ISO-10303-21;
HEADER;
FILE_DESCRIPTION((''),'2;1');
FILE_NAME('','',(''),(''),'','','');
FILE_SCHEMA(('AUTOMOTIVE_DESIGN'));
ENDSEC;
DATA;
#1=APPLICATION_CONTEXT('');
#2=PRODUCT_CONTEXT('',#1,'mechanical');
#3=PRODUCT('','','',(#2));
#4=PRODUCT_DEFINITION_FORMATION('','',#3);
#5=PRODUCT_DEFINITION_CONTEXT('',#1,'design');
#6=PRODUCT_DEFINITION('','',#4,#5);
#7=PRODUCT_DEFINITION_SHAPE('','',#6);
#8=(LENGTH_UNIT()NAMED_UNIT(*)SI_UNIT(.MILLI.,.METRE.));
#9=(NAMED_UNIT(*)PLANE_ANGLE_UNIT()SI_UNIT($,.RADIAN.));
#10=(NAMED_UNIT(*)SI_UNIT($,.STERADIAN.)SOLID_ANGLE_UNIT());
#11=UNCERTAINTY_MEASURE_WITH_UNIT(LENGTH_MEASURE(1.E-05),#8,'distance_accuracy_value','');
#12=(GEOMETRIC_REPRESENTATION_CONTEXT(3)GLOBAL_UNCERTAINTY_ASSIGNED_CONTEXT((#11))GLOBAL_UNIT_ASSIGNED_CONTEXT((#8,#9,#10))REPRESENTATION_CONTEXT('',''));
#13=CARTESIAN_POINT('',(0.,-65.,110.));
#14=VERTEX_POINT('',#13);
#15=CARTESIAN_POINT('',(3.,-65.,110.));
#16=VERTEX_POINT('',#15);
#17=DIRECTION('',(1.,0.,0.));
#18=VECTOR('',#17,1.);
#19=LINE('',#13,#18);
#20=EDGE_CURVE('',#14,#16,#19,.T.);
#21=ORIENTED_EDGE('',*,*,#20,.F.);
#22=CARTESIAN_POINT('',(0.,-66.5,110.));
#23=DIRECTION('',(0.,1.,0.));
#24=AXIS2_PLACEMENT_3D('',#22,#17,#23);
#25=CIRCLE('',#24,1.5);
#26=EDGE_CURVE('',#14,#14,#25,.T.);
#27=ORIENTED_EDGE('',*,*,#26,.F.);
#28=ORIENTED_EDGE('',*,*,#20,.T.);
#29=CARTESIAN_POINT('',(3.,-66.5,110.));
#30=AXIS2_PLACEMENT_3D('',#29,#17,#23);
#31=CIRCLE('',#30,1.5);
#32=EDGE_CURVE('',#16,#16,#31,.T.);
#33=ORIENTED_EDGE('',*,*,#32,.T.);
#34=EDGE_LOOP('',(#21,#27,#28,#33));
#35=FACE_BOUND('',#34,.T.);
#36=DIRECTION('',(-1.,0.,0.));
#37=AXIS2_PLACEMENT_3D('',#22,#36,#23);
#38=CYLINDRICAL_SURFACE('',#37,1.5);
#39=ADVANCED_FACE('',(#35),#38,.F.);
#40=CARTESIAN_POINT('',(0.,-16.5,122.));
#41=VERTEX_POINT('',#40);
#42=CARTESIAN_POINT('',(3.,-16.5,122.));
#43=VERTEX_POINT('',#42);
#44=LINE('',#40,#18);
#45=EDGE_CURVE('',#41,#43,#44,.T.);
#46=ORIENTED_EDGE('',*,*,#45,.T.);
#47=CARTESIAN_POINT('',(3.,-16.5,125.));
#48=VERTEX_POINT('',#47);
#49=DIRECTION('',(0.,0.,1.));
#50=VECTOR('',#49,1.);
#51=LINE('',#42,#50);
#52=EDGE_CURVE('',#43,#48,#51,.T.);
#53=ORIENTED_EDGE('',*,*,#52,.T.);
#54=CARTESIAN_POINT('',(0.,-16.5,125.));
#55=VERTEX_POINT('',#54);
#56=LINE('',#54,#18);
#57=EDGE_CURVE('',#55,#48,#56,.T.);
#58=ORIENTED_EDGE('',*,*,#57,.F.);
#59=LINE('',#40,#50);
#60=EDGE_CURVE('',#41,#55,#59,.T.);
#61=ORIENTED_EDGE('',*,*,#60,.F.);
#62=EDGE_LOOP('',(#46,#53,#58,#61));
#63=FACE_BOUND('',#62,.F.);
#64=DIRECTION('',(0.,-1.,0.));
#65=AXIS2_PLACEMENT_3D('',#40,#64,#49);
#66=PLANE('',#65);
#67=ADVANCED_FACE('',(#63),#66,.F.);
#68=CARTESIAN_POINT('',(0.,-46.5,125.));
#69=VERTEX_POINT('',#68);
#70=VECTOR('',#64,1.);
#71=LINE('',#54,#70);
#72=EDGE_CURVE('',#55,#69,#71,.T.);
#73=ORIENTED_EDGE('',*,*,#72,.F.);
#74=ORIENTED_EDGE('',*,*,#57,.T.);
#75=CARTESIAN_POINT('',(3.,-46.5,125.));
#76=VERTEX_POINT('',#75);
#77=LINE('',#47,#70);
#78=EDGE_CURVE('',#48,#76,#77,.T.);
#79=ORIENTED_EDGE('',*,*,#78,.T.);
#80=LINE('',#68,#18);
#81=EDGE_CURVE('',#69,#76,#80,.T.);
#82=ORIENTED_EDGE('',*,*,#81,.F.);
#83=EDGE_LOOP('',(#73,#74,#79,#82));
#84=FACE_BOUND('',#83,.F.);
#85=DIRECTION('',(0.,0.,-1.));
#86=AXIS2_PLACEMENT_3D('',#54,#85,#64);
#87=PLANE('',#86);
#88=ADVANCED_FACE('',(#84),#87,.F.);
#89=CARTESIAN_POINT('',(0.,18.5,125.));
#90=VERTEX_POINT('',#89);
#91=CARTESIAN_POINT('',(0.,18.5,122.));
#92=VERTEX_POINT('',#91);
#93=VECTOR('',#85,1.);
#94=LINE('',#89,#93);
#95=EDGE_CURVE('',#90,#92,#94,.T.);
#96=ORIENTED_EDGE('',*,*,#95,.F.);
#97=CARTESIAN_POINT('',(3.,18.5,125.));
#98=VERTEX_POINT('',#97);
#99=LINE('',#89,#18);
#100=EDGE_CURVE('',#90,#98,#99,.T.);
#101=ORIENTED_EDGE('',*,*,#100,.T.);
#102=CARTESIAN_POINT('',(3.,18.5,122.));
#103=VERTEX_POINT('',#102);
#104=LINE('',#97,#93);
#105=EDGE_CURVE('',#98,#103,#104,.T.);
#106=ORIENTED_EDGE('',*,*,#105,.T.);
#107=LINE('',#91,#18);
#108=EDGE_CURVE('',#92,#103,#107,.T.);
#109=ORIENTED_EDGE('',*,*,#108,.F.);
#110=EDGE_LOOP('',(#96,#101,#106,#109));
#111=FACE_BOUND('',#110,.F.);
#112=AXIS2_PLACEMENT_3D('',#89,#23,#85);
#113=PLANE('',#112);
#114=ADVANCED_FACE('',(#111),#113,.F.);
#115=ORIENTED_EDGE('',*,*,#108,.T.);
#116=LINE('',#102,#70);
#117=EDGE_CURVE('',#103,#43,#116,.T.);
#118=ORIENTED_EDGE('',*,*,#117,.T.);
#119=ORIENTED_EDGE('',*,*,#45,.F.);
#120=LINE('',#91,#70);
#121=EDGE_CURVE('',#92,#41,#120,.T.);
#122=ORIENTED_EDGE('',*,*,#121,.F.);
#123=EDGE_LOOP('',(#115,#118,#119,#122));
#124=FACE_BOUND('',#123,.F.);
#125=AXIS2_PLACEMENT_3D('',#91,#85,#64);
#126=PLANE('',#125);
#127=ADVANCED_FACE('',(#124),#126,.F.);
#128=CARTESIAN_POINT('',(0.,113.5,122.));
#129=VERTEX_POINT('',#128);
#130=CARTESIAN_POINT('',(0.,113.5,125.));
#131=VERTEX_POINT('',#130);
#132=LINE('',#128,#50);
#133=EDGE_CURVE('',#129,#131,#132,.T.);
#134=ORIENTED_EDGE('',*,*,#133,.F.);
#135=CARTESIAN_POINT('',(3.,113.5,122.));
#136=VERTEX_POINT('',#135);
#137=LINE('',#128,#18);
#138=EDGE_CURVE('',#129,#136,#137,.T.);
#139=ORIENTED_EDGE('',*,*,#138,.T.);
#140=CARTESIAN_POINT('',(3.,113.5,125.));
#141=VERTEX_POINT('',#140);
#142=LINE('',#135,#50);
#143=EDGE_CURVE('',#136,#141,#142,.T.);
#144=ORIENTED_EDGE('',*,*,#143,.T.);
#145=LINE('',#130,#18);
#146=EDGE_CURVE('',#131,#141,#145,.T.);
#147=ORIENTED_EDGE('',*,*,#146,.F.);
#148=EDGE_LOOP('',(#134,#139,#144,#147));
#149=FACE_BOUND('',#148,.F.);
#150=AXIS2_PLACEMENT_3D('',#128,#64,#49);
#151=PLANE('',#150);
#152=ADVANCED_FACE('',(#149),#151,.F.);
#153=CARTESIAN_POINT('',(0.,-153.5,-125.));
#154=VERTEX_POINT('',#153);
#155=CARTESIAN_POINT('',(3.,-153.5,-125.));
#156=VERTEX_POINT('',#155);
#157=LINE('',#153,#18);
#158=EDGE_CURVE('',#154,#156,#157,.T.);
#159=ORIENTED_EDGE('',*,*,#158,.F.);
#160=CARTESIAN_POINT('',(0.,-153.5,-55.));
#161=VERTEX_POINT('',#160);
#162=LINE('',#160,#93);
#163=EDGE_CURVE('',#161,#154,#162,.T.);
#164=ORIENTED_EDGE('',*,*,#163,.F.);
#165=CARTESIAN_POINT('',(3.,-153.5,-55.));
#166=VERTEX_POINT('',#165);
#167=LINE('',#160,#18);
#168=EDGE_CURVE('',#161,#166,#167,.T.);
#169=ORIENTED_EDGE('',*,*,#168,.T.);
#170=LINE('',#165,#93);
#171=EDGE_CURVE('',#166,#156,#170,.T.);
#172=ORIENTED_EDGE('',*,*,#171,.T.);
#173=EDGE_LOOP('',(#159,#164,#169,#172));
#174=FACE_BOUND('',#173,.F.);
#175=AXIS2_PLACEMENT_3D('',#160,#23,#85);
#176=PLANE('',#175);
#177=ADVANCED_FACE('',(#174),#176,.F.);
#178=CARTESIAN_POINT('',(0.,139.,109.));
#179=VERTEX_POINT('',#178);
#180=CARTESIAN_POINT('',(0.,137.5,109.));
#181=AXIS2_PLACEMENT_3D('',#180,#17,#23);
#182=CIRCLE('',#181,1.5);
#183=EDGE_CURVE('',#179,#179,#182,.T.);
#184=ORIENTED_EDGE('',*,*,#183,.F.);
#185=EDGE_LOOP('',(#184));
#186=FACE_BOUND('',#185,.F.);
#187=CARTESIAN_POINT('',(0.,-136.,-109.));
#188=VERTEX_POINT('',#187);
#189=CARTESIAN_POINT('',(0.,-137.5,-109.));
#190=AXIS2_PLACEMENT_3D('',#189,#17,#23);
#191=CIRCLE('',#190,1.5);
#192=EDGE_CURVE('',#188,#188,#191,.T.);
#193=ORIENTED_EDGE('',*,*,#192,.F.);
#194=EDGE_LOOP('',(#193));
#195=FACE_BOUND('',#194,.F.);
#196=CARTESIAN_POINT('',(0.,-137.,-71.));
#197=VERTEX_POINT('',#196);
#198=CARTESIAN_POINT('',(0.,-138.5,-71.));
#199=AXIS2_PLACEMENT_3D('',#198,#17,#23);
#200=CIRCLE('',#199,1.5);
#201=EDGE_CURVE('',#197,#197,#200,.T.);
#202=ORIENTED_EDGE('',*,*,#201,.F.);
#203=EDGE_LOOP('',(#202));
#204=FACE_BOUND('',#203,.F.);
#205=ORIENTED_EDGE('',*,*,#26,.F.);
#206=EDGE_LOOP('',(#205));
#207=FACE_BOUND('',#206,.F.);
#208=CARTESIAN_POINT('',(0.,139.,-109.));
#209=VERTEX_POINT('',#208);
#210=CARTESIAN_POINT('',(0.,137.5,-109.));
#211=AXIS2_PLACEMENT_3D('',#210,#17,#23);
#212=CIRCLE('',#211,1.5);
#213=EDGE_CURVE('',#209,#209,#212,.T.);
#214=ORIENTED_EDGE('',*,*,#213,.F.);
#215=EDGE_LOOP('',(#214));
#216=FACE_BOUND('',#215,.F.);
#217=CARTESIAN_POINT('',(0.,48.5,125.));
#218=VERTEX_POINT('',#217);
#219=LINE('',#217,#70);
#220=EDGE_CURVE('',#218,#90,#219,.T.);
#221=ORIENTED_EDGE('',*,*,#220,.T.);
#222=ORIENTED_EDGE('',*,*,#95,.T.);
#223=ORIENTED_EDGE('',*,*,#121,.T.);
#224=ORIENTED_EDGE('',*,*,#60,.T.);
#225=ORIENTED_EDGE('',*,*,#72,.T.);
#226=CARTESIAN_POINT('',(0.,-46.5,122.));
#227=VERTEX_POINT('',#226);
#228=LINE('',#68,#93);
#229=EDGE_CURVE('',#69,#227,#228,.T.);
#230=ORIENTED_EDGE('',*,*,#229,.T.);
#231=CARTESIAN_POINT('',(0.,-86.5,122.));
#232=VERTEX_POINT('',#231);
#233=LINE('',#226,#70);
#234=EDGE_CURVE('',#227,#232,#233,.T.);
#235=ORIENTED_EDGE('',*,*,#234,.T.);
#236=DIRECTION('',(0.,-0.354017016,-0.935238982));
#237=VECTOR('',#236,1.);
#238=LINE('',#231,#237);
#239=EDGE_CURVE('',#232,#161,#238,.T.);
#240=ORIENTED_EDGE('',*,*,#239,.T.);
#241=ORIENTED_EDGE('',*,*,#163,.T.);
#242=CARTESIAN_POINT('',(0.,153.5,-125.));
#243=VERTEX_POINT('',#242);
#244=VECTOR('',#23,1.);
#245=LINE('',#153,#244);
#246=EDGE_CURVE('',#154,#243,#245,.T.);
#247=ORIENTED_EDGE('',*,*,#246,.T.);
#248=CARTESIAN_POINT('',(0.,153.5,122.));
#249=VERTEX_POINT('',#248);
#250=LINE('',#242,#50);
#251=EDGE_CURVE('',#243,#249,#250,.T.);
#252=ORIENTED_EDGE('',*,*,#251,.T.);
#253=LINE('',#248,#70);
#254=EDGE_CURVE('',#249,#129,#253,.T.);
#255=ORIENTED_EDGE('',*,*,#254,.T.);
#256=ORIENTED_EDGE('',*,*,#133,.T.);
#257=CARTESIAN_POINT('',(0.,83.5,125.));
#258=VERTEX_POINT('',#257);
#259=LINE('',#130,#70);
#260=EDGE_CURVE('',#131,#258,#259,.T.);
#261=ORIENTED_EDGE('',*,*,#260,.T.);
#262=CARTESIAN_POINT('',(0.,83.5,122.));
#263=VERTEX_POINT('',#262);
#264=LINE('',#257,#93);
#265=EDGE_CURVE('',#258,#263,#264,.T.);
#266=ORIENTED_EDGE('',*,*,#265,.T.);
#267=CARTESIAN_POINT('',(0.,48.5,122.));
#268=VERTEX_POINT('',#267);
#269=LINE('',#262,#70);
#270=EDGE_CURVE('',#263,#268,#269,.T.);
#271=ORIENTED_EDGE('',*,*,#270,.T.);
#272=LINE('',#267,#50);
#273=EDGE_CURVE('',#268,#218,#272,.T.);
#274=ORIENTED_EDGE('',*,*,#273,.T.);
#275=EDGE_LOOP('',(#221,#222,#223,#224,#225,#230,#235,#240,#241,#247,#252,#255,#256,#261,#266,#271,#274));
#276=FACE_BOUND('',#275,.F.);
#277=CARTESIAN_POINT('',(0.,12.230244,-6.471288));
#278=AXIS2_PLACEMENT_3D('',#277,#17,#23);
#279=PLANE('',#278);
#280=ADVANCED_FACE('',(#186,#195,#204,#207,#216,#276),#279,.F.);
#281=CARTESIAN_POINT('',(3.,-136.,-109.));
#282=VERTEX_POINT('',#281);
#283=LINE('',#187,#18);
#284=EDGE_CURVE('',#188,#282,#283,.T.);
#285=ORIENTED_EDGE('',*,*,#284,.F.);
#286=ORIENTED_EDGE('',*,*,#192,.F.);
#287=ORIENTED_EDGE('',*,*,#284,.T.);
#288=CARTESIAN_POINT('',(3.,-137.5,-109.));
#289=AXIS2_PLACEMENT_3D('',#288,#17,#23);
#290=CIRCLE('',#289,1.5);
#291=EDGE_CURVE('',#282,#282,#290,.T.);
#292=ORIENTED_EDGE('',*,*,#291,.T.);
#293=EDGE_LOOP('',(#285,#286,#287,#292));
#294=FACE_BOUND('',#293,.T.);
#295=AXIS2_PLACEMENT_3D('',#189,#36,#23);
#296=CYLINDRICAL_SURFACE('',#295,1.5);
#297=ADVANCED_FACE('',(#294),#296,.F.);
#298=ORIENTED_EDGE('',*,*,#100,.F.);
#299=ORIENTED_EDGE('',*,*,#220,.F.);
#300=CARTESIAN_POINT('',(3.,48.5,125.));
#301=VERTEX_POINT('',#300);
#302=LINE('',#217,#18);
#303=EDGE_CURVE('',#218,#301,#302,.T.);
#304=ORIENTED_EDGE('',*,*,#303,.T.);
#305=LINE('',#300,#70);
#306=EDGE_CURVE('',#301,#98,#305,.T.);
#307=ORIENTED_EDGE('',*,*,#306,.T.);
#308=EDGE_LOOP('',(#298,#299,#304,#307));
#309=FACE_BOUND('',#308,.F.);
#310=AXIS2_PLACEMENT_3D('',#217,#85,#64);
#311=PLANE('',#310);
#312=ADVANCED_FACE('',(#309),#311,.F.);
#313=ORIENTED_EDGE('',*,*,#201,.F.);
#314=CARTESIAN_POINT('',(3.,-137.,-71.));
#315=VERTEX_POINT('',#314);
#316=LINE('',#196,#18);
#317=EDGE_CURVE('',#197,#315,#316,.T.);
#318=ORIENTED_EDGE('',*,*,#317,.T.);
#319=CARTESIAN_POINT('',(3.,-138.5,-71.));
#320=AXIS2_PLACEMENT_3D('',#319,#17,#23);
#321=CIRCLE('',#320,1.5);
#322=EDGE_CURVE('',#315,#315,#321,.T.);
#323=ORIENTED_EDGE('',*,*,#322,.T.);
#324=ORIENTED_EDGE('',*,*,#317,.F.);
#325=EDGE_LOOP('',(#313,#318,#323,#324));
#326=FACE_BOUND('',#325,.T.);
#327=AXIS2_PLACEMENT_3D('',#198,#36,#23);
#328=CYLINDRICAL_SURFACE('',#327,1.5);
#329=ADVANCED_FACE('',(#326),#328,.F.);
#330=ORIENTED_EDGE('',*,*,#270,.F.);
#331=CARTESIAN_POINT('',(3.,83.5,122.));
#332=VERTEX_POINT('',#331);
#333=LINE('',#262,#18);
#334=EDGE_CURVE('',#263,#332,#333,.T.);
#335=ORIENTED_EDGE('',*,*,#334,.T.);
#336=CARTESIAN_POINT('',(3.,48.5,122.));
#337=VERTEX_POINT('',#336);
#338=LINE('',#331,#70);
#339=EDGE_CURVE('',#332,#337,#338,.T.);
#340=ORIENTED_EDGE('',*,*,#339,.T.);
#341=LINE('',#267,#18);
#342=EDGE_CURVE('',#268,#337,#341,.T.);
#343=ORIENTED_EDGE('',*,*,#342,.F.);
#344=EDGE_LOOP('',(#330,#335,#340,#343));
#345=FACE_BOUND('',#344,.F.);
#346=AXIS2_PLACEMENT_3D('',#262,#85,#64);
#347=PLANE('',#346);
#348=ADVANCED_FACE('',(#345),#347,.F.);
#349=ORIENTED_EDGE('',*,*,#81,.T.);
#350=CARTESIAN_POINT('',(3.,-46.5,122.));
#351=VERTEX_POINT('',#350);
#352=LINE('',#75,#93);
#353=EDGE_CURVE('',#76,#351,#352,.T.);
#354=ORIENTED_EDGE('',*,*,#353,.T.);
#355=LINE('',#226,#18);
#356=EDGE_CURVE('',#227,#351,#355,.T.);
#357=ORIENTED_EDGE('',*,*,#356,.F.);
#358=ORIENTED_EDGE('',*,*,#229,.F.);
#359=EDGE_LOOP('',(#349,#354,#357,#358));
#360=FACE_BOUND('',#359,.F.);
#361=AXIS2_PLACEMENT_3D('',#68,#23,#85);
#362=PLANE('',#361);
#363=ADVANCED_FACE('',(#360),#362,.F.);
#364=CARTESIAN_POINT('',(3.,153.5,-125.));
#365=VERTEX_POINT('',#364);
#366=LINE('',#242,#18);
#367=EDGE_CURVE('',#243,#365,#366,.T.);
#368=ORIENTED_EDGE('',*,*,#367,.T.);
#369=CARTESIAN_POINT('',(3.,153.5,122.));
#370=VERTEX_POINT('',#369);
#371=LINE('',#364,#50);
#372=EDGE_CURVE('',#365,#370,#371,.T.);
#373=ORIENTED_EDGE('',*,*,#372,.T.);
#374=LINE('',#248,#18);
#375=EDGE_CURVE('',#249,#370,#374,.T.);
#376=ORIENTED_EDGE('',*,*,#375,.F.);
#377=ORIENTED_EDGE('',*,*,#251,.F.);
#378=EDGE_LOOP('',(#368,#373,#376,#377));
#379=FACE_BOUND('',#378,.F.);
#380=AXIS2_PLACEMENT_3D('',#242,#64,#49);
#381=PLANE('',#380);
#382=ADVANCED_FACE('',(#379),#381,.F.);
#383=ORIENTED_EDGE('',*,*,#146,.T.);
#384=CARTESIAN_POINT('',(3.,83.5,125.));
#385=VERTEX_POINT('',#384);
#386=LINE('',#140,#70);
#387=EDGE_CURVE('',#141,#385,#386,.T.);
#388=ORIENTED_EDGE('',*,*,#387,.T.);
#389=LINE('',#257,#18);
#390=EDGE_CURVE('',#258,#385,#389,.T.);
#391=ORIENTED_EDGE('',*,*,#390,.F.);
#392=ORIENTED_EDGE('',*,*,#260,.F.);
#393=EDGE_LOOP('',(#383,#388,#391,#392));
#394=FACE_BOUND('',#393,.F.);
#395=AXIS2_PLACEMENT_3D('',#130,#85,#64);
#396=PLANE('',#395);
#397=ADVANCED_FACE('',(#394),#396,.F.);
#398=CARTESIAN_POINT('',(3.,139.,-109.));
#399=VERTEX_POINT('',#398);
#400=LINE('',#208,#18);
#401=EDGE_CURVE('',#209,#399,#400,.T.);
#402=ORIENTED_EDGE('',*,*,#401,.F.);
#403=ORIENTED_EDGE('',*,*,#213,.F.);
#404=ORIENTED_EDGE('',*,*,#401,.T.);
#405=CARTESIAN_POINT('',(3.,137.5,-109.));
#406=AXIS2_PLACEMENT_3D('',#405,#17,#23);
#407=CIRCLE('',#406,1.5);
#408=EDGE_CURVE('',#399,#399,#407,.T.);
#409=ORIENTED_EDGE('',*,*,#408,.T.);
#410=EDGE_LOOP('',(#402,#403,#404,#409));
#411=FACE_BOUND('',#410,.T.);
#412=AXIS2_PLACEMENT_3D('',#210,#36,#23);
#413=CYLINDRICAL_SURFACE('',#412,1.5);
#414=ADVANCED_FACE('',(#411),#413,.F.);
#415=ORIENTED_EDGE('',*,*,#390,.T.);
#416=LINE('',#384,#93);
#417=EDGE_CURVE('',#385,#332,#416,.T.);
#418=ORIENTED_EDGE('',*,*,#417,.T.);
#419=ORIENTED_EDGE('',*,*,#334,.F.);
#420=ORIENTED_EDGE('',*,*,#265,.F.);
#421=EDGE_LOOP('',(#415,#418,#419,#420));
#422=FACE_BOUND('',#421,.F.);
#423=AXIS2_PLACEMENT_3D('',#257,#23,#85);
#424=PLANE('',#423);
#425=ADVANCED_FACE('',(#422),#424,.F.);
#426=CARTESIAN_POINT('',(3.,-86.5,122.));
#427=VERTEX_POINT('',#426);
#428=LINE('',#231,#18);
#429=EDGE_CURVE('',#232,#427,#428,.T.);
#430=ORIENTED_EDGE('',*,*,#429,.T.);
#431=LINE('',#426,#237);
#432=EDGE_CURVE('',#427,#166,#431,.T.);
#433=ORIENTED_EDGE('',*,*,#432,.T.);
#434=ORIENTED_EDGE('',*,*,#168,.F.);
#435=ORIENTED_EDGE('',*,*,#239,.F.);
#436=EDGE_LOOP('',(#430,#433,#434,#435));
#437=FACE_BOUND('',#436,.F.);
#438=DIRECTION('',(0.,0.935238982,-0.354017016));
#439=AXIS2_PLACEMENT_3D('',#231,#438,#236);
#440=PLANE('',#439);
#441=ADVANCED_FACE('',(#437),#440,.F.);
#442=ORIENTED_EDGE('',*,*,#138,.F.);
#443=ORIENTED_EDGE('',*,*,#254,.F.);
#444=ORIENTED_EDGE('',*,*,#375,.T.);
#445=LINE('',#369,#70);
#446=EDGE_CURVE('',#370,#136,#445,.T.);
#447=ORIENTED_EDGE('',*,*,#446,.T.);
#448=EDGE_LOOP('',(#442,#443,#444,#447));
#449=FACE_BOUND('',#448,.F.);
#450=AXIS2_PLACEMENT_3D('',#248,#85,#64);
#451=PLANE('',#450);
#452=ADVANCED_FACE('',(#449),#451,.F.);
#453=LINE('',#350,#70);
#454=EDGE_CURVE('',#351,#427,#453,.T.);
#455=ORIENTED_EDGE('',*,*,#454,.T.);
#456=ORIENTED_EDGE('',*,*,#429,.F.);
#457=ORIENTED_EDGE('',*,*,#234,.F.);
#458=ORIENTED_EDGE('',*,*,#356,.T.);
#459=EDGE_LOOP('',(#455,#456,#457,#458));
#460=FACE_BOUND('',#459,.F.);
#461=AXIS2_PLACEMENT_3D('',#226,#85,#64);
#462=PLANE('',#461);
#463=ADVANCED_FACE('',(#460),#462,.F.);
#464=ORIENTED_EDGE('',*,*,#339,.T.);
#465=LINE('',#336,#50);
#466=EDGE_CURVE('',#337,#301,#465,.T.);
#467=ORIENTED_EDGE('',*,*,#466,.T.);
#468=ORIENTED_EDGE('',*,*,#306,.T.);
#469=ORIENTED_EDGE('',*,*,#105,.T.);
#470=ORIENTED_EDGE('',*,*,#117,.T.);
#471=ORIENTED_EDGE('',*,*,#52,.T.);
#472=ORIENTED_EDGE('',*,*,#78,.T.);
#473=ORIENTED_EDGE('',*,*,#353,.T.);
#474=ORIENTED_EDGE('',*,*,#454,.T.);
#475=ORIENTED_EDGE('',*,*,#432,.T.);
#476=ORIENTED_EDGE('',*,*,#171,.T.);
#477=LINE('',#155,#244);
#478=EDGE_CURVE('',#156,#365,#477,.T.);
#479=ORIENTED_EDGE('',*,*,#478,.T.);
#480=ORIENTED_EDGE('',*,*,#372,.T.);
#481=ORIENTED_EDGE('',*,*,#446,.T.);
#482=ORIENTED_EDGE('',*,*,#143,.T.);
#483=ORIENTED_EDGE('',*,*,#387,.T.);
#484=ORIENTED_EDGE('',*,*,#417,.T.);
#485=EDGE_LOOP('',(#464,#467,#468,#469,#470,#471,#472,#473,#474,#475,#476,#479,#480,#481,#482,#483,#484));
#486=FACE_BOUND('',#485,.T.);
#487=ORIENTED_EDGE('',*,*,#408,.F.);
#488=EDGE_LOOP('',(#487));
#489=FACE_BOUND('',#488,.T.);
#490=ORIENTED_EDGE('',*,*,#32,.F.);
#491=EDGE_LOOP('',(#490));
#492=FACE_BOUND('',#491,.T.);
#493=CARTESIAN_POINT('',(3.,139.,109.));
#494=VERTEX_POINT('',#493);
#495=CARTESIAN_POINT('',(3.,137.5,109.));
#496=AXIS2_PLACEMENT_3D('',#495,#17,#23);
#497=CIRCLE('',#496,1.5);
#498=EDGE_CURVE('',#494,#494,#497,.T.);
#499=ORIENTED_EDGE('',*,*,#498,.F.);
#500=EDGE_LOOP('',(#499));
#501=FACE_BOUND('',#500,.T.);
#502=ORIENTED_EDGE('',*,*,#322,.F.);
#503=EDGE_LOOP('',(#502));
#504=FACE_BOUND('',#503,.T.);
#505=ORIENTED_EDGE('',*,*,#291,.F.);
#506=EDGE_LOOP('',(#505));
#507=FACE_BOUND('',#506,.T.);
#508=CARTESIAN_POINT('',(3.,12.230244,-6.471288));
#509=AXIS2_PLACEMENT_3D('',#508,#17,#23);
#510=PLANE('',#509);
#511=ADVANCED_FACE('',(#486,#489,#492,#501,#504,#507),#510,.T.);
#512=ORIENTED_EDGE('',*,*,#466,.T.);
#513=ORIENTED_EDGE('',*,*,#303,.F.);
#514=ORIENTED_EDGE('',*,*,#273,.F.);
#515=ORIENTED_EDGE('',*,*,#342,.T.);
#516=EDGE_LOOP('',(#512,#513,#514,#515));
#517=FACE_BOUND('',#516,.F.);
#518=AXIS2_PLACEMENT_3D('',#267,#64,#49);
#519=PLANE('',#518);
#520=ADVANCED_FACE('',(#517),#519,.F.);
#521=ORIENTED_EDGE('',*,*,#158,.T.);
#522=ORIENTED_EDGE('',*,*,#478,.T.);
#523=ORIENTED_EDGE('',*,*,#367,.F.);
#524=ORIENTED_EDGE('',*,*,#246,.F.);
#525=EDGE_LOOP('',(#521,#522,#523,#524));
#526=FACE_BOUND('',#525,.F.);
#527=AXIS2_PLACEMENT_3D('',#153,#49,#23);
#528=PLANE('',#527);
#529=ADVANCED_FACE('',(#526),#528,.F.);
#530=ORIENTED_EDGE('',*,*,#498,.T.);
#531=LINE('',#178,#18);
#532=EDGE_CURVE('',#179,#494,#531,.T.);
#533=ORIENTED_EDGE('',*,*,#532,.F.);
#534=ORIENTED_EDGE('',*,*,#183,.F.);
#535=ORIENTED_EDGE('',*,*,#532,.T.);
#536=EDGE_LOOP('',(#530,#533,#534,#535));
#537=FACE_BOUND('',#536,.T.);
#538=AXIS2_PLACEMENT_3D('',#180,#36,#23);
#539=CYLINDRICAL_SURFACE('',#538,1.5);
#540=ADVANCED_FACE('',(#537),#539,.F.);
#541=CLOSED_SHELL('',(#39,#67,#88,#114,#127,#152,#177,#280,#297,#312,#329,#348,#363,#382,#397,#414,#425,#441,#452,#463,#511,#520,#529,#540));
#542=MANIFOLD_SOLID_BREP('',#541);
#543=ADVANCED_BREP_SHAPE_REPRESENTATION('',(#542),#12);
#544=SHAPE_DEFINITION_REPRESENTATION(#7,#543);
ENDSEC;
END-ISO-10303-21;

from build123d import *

# Parameters (mm, degrees)
F0_R     = 1.5
F1_DEPTH = 3


with BuildPart() as f1:
    # F0 (on Right) → F1 (new body)
    with BuildSketch(Plane.YZ):
        Polygon((113.5, 122), (113.5, 125), (83.5, 125), (83.5, 122), (48.5, 122), (48.5, 125), (18.5, 125), (18.5, 122), (-16.5, 122), (-16.5, 125), (-46.5, 125), (-46.5, 122), (-86.5, 122), (-153.5, -55), (-153.5, -125), (153.5, -125), (153.5, 122), align=None)
        with Locations((-137.5, -109)):
            Circle(F0_R, mode=Mode.SUBTRACT)
        with Locations((-138.5, -71)):
            Circle(F0_R, mode=Mode.SUBTRACT)
        with Locations((137.5, -109)):
            Circle(F0_R, mode=Mode.SUBTRACT)
        with Locations((-66.5, 110)):
            Circle(F0_R, mode=Mode.SUBTRACT)
        with Locations((137.5, 109)):
            Circle(F0_R, mode=Mode.SUBTRACT)
    extrude(amount=F1_DEPTH)


solid = f1.part
